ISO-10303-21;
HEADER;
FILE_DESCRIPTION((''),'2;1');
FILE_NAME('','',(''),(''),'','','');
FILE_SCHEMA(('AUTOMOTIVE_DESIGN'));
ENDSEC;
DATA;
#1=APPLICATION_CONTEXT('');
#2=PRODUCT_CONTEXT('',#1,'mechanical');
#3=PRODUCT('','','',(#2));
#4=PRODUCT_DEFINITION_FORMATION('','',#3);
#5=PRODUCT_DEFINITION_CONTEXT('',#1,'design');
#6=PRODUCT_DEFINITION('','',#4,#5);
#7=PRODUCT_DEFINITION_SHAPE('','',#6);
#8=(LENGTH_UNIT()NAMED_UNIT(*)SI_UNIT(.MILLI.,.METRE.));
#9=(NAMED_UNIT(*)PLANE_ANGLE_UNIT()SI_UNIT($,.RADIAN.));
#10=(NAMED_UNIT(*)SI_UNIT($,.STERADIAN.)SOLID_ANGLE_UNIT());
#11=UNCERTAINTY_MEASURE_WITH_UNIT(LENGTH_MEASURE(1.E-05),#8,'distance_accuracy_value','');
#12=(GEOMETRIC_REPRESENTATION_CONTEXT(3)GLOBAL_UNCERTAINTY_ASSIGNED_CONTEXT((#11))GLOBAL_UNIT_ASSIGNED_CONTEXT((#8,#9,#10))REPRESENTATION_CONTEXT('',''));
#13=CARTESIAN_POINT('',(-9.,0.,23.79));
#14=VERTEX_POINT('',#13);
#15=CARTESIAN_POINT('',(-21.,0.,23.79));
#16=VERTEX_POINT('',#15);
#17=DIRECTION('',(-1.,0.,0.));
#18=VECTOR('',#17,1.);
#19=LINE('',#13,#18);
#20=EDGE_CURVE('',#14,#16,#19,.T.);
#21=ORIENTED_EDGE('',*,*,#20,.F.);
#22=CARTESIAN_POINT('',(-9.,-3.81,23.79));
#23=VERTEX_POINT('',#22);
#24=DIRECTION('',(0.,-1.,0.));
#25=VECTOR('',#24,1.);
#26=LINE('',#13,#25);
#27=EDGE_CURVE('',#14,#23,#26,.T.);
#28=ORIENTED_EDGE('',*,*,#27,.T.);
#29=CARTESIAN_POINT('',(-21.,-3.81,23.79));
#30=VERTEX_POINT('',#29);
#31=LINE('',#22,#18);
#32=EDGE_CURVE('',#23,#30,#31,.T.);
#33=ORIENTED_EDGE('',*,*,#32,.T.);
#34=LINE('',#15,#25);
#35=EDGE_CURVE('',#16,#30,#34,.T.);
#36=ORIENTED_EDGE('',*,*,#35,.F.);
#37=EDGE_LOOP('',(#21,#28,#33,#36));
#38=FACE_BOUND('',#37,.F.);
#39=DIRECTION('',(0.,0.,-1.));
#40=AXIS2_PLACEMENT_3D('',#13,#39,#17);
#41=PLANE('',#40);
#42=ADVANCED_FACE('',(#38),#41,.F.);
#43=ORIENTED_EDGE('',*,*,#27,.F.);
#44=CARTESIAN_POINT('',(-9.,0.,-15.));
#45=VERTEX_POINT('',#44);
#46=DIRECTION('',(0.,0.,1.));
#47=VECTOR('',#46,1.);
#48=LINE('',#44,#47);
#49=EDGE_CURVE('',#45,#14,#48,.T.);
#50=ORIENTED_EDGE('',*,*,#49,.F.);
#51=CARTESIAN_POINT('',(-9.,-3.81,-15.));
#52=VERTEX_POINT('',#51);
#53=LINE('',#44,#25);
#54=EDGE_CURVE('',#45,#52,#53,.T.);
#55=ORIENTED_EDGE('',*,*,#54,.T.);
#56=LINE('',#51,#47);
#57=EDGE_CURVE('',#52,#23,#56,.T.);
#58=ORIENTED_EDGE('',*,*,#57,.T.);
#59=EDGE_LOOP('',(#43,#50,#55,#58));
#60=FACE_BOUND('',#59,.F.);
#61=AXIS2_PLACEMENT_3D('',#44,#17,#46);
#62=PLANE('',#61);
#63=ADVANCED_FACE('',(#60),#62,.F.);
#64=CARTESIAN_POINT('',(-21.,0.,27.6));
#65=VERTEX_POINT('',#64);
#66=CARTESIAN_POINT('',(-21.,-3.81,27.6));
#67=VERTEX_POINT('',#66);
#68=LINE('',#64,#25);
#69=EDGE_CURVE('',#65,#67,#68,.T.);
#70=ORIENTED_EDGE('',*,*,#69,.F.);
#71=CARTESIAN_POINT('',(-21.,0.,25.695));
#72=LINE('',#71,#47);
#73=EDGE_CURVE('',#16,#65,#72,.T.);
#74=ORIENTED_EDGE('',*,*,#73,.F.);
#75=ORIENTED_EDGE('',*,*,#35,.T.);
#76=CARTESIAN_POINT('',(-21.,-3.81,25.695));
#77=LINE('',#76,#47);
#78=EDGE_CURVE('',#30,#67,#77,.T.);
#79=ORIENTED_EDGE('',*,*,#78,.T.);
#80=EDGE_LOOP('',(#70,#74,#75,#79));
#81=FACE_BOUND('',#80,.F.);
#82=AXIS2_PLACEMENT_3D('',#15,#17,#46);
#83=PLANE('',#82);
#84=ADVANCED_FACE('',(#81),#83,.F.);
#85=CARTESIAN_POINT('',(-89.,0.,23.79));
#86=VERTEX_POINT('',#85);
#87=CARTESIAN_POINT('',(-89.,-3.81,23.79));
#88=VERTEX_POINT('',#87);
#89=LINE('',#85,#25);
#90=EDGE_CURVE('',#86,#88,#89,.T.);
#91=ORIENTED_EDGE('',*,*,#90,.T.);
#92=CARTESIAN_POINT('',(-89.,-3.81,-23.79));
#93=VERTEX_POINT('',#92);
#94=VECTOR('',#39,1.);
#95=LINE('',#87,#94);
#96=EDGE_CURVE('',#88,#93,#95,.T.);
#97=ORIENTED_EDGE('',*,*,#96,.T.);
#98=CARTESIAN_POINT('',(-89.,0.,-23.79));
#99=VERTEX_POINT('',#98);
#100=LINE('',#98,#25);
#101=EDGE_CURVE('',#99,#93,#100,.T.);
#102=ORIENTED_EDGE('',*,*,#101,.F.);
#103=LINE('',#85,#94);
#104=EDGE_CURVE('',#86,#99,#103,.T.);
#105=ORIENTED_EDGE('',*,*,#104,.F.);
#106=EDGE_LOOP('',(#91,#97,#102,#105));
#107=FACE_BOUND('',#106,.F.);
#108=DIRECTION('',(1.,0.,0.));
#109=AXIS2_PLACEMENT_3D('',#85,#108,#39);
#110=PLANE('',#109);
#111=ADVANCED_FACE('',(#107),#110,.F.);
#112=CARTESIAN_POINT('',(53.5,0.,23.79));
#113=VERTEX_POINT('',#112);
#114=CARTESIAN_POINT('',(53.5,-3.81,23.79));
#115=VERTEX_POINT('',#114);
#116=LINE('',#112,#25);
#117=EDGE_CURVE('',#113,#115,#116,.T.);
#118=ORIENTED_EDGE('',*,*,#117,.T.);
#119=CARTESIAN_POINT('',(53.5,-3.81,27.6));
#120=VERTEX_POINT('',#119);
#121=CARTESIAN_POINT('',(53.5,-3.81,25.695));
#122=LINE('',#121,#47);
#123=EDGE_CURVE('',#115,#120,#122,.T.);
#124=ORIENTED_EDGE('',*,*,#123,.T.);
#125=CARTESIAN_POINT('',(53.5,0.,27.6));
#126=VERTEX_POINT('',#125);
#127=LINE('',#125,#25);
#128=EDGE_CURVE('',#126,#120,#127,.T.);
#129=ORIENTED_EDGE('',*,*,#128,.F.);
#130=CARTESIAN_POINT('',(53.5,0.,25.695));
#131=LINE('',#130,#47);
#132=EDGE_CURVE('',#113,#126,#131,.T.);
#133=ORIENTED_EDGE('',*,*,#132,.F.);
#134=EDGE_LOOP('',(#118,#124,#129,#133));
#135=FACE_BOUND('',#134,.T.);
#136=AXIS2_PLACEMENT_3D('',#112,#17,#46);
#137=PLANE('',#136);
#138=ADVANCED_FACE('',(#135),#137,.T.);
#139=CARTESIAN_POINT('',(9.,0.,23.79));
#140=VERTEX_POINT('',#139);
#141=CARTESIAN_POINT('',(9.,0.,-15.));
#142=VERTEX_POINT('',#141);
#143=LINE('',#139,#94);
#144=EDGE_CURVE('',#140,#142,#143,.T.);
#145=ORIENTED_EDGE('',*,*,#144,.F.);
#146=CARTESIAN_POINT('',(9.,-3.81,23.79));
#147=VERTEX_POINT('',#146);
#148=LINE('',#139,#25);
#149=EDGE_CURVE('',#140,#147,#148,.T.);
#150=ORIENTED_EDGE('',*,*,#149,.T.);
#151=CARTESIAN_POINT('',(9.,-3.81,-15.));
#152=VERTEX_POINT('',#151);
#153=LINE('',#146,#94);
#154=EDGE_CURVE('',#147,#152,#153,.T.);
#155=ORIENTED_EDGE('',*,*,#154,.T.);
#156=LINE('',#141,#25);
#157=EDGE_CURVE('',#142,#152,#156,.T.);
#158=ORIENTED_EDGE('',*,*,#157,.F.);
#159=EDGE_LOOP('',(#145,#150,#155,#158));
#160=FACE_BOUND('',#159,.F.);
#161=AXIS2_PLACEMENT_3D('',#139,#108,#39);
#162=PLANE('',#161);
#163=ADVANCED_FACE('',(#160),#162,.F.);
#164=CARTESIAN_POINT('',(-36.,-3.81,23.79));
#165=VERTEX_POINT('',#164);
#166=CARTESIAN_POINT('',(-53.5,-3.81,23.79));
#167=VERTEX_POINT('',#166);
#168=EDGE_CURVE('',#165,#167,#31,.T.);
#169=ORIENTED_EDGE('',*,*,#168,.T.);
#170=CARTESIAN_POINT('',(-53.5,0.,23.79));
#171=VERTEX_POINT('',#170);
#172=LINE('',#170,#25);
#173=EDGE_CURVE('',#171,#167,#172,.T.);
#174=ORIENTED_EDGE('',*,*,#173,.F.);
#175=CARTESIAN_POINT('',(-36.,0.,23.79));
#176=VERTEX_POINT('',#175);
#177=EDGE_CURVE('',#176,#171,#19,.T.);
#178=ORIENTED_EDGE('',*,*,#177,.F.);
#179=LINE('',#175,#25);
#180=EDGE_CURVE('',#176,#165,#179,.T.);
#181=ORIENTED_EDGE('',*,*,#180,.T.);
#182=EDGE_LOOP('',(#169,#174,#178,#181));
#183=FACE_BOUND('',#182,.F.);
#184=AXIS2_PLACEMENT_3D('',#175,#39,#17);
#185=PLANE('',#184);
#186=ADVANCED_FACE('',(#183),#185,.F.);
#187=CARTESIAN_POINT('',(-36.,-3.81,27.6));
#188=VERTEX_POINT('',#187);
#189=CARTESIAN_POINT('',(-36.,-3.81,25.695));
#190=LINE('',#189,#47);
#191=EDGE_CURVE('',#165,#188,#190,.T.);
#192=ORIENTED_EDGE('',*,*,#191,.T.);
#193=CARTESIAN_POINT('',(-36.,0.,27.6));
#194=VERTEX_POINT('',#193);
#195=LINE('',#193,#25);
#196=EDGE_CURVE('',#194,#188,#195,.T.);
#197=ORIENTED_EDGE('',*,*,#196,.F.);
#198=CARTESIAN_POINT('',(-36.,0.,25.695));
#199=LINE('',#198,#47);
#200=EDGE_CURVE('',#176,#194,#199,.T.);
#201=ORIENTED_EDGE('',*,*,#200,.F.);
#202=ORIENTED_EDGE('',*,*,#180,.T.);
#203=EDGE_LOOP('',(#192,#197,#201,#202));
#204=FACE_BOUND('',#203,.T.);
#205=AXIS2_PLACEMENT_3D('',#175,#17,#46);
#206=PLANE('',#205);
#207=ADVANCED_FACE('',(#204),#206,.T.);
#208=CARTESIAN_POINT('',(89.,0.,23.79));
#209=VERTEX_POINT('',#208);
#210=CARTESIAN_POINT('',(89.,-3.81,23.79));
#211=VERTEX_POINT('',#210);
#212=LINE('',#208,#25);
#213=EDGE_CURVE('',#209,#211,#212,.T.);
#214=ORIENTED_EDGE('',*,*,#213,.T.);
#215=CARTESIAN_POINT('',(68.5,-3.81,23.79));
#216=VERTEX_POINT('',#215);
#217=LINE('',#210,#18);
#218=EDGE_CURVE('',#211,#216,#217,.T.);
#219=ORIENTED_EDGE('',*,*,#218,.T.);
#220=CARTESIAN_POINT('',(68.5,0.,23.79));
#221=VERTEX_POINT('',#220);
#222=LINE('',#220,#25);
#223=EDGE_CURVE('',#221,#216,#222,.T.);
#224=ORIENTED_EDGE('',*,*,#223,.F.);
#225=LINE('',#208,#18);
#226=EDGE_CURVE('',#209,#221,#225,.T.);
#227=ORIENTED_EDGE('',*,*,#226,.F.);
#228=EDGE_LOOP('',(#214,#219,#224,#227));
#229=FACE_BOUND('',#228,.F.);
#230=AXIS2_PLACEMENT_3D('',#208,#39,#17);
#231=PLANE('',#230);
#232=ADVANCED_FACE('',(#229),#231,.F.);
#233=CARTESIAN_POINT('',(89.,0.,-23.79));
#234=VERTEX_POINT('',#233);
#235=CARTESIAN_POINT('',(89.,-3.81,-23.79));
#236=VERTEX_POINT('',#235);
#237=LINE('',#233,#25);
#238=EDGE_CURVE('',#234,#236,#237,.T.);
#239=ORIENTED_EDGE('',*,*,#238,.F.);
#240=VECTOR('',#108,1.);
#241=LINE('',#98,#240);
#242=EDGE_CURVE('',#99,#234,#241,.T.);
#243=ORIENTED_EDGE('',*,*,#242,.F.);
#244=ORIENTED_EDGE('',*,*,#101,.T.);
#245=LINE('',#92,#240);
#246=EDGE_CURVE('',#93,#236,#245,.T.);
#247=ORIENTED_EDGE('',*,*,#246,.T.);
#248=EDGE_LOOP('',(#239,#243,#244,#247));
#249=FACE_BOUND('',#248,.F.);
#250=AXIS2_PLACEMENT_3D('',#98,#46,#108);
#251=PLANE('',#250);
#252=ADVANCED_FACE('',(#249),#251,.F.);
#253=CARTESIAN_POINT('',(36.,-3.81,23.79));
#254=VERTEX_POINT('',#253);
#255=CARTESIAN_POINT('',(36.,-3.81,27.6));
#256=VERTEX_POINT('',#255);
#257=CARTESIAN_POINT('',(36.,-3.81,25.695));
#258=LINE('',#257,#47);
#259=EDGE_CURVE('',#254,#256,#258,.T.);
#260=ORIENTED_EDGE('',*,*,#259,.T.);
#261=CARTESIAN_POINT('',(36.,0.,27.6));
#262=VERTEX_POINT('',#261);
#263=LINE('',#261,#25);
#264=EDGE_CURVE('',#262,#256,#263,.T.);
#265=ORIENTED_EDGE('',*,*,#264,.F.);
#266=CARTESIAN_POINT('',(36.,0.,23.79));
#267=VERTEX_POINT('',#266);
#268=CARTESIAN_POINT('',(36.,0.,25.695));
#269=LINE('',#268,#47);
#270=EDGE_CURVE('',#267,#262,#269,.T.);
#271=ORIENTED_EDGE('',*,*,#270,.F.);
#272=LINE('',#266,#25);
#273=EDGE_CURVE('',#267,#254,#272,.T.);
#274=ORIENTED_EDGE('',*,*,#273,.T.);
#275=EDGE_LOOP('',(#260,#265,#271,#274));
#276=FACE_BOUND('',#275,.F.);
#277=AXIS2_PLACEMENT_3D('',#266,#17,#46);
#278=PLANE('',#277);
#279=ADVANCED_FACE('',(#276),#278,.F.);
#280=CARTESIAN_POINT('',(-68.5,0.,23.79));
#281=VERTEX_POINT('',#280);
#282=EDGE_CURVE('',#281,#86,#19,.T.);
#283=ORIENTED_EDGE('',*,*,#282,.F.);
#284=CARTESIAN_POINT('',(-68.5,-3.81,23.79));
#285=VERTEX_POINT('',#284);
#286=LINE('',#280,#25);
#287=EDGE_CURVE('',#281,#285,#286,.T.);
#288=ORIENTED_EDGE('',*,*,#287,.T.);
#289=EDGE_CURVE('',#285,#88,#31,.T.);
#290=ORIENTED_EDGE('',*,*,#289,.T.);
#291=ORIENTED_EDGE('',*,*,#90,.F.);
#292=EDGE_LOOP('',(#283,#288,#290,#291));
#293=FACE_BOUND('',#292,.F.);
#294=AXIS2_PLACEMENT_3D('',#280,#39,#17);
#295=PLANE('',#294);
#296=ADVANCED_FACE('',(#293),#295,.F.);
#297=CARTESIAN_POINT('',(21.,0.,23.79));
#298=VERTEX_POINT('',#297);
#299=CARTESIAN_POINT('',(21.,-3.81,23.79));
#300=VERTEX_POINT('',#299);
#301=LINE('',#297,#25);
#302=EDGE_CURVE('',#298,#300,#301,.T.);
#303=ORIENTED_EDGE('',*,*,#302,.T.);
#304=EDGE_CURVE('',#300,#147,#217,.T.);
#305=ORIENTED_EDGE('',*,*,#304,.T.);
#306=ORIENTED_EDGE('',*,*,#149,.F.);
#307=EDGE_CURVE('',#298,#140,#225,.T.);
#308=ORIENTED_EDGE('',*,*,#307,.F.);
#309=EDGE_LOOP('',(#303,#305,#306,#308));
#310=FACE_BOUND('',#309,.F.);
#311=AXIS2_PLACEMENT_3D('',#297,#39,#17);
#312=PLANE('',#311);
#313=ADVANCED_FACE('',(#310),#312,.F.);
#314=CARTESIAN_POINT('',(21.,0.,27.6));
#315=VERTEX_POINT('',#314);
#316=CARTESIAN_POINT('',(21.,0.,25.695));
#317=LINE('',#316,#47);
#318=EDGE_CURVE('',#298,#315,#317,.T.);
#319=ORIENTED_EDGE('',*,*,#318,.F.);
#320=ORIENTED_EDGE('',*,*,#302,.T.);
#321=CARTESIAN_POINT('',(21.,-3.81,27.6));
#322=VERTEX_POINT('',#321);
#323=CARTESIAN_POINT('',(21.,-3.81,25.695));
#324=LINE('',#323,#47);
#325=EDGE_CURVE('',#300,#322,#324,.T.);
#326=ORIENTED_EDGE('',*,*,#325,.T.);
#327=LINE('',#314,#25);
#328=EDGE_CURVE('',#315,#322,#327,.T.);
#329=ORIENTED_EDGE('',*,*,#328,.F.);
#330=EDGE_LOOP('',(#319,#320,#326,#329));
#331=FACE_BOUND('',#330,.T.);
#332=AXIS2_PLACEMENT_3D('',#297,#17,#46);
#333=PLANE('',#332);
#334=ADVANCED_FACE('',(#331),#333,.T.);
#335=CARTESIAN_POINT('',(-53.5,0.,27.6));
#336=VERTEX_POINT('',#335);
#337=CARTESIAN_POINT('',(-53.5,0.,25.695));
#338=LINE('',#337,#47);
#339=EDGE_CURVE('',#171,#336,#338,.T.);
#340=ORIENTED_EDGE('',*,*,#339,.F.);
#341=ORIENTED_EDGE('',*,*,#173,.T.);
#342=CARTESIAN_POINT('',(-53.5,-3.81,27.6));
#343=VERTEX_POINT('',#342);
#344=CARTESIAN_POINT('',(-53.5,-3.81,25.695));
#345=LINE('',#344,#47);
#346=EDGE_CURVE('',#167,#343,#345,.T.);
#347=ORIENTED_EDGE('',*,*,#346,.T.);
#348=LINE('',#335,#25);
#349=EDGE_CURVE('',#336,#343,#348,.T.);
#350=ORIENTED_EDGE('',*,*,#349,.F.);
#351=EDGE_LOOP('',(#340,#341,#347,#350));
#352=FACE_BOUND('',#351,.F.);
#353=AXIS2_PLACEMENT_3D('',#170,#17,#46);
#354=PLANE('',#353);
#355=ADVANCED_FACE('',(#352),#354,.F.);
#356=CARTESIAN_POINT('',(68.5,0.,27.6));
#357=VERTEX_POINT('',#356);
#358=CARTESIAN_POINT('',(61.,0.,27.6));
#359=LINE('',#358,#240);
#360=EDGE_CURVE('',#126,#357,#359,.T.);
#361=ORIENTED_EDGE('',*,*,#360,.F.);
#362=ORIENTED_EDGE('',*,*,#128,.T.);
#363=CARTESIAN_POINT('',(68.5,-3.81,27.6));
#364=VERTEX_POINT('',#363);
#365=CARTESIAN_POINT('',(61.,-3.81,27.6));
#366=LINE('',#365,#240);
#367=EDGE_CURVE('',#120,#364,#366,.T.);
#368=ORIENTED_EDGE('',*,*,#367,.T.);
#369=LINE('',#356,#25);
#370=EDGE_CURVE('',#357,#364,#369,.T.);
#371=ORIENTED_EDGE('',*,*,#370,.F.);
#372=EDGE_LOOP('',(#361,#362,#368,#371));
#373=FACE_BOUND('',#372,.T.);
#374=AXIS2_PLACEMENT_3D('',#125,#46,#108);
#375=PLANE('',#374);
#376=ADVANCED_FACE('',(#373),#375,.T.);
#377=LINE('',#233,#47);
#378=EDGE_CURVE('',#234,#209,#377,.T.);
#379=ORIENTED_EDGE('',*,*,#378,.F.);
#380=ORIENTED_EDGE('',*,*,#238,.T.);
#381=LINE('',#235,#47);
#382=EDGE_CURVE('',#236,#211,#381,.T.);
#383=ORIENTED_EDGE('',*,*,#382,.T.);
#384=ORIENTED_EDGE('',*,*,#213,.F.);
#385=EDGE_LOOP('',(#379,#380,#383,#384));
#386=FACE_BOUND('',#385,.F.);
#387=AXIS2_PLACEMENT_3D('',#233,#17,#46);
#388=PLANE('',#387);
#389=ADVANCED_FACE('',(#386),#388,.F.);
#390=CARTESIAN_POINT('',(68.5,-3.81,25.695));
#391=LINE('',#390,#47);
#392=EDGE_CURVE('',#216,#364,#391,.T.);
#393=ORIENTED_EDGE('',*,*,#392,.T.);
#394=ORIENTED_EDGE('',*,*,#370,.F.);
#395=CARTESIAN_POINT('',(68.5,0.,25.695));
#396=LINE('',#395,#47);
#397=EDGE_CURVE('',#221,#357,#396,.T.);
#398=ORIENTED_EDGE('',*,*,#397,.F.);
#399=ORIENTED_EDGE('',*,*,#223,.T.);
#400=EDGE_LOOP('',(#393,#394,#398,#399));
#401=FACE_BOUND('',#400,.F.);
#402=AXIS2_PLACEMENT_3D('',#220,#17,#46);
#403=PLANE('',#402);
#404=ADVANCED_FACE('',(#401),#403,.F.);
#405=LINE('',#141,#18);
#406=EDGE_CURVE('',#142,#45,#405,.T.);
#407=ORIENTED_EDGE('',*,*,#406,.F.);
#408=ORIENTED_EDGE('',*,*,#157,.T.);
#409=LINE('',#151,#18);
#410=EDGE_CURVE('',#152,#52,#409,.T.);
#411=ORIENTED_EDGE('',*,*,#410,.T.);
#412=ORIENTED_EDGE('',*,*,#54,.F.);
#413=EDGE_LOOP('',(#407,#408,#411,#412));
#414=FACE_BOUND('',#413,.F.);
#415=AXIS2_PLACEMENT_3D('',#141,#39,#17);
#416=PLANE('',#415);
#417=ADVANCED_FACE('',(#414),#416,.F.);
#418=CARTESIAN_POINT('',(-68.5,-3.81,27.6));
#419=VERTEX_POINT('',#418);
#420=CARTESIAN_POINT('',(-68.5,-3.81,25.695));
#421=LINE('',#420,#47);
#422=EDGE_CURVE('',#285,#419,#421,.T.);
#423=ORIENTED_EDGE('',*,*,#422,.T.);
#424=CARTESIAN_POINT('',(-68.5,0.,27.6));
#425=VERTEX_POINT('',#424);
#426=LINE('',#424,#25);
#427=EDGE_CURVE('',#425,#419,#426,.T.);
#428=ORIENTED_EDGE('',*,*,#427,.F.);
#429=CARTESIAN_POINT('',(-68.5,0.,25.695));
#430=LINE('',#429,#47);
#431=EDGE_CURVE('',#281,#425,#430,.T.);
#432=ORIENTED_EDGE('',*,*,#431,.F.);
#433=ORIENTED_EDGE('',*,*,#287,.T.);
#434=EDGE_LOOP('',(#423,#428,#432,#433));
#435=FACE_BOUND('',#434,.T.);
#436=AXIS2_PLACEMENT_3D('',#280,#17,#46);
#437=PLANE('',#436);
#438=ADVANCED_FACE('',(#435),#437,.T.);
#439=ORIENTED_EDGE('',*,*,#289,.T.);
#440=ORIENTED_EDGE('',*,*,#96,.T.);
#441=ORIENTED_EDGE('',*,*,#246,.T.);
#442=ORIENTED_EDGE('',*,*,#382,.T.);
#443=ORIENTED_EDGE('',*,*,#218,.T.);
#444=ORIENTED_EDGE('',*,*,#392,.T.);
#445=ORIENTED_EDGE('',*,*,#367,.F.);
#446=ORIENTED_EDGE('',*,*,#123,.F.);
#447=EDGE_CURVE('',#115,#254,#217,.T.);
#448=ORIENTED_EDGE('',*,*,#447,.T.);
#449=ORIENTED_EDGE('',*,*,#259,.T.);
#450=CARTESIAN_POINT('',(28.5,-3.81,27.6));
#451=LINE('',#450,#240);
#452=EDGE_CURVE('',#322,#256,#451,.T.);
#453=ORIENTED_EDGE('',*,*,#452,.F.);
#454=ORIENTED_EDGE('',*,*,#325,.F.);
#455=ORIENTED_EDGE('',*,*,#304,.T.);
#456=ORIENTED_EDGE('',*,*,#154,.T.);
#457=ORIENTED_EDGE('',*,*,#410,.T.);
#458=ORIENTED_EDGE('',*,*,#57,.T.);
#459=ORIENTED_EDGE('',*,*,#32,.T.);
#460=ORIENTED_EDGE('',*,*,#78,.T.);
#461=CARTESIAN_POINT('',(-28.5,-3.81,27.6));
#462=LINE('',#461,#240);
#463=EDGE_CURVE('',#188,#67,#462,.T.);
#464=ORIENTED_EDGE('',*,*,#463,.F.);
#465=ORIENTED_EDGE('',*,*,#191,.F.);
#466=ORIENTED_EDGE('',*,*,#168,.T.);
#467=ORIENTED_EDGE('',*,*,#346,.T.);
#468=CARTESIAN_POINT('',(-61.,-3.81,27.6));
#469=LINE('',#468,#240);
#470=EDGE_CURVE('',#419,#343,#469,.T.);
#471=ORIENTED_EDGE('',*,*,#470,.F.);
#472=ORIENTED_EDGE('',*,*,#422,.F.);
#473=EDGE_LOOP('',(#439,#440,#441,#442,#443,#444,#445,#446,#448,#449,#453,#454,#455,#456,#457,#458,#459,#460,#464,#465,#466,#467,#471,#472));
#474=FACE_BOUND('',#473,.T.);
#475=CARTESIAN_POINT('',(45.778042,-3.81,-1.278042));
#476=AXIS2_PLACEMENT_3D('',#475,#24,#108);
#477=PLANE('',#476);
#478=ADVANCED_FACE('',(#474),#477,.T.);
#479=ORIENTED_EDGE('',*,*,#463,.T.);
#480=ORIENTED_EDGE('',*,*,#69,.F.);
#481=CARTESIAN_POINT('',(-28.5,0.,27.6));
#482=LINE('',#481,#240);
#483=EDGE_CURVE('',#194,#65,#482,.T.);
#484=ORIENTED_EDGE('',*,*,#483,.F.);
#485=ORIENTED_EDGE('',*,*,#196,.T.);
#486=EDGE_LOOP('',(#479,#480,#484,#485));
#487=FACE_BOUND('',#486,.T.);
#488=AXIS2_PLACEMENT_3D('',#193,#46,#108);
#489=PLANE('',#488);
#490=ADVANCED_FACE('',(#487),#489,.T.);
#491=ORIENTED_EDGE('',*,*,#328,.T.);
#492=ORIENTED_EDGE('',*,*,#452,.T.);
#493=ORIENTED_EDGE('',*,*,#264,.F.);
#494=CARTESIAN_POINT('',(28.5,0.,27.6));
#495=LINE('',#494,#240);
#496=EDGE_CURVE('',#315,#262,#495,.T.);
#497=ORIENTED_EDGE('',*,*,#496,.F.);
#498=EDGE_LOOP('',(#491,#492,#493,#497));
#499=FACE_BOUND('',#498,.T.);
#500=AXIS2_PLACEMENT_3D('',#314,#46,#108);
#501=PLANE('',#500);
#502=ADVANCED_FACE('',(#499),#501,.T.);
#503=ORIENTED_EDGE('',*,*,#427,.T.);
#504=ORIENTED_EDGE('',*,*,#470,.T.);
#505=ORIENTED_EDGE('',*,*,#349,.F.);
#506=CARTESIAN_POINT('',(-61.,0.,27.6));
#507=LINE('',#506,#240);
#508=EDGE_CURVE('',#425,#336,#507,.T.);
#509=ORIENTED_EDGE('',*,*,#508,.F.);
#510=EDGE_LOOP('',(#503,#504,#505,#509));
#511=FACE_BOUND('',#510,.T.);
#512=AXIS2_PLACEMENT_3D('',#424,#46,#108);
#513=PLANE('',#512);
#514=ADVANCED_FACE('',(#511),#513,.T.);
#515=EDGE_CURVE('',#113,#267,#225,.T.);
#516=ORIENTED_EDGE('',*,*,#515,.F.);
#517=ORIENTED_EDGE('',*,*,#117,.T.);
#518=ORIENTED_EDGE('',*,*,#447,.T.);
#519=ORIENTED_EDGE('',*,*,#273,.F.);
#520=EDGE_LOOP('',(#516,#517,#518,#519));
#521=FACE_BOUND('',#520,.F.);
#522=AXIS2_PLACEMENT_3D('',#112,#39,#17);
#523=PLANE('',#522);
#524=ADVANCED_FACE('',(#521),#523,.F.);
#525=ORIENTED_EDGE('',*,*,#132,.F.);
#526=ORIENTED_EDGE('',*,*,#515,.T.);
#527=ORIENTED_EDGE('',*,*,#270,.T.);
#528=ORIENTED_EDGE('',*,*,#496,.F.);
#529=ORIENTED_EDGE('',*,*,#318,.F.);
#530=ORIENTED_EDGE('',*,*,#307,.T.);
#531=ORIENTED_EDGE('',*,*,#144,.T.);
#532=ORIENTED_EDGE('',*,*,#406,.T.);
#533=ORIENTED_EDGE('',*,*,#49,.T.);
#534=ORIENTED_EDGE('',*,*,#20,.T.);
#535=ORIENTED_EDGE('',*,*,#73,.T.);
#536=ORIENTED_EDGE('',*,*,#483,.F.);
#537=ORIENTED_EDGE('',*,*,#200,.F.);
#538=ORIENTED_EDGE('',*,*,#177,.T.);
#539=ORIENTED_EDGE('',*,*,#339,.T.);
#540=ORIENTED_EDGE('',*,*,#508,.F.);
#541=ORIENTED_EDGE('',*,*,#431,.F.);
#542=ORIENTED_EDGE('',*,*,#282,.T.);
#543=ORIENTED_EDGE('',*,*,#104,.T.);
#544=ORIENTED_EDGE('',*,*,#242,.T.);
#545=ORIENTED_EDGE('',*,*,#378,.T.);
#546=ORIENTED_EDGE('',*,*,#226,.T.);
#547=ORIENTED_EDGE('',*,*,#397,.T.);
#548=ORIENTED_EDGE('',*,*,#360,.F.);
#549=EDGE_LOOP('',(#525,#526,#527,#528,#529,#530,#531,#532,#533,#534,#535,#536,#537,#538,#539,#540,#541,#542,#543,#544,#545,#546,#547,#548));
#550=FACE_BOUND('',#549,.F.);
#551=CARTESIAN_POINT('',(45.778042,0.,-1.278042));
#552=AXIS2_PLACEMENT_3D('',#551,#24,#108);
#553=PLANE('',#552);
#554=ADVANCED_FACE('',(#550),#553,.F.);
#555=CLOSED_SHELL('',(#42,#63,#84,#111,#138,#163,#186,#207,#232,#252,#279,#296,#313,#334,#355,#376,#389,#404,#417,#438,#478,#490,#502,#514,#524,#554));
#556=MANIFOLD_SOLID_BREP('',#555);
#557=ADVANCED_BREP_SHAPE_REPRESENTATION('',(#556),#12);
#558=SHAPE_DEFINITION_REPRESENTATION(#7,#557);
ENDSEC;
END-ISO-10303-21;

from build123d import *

# Parameters (mm, degrees)
F0_W     = 15
F0_H     = 3.81
F1_DEPTH = 3.81


with BuildPart() as f1:
    # F0 (on Front) → F1 (new body)
    with BuildSketch(Plane.XZ):
        Polygon((89, -23.79), (89, 23.79), (68.5, 23.79), (53.5, 23.79), (36, 23.79), (21, 23.79), (9, 23.79), (9, 0), (9, -15), (0, -15), (0, -23.79), align=None)
        Polygon((-89, -23.79), (0, -23.79), (0, -15), (-9, -15), (-9, 0), (-9, 23.79), (-21, 23.79), (-36, 23.79), (-53.5, 23.79), (-68.5, 23.79), (-89, 23.79), align=None)
        with Locations((-61, 25.695)):
            Rectangle(F0_W, F0_H)
        with Locations((-28.5, 25.695)):
            Rectangle(F0_W, F0_H)
        with Locations((28.5, 25.695)):
            Rectangle(F0_W, F0_H)
        with Locations((61, 25.695)):
            Rectangle(F0_W, F0_H)
    extrude(amount=F1_DEPTH)


solid = f1.part
